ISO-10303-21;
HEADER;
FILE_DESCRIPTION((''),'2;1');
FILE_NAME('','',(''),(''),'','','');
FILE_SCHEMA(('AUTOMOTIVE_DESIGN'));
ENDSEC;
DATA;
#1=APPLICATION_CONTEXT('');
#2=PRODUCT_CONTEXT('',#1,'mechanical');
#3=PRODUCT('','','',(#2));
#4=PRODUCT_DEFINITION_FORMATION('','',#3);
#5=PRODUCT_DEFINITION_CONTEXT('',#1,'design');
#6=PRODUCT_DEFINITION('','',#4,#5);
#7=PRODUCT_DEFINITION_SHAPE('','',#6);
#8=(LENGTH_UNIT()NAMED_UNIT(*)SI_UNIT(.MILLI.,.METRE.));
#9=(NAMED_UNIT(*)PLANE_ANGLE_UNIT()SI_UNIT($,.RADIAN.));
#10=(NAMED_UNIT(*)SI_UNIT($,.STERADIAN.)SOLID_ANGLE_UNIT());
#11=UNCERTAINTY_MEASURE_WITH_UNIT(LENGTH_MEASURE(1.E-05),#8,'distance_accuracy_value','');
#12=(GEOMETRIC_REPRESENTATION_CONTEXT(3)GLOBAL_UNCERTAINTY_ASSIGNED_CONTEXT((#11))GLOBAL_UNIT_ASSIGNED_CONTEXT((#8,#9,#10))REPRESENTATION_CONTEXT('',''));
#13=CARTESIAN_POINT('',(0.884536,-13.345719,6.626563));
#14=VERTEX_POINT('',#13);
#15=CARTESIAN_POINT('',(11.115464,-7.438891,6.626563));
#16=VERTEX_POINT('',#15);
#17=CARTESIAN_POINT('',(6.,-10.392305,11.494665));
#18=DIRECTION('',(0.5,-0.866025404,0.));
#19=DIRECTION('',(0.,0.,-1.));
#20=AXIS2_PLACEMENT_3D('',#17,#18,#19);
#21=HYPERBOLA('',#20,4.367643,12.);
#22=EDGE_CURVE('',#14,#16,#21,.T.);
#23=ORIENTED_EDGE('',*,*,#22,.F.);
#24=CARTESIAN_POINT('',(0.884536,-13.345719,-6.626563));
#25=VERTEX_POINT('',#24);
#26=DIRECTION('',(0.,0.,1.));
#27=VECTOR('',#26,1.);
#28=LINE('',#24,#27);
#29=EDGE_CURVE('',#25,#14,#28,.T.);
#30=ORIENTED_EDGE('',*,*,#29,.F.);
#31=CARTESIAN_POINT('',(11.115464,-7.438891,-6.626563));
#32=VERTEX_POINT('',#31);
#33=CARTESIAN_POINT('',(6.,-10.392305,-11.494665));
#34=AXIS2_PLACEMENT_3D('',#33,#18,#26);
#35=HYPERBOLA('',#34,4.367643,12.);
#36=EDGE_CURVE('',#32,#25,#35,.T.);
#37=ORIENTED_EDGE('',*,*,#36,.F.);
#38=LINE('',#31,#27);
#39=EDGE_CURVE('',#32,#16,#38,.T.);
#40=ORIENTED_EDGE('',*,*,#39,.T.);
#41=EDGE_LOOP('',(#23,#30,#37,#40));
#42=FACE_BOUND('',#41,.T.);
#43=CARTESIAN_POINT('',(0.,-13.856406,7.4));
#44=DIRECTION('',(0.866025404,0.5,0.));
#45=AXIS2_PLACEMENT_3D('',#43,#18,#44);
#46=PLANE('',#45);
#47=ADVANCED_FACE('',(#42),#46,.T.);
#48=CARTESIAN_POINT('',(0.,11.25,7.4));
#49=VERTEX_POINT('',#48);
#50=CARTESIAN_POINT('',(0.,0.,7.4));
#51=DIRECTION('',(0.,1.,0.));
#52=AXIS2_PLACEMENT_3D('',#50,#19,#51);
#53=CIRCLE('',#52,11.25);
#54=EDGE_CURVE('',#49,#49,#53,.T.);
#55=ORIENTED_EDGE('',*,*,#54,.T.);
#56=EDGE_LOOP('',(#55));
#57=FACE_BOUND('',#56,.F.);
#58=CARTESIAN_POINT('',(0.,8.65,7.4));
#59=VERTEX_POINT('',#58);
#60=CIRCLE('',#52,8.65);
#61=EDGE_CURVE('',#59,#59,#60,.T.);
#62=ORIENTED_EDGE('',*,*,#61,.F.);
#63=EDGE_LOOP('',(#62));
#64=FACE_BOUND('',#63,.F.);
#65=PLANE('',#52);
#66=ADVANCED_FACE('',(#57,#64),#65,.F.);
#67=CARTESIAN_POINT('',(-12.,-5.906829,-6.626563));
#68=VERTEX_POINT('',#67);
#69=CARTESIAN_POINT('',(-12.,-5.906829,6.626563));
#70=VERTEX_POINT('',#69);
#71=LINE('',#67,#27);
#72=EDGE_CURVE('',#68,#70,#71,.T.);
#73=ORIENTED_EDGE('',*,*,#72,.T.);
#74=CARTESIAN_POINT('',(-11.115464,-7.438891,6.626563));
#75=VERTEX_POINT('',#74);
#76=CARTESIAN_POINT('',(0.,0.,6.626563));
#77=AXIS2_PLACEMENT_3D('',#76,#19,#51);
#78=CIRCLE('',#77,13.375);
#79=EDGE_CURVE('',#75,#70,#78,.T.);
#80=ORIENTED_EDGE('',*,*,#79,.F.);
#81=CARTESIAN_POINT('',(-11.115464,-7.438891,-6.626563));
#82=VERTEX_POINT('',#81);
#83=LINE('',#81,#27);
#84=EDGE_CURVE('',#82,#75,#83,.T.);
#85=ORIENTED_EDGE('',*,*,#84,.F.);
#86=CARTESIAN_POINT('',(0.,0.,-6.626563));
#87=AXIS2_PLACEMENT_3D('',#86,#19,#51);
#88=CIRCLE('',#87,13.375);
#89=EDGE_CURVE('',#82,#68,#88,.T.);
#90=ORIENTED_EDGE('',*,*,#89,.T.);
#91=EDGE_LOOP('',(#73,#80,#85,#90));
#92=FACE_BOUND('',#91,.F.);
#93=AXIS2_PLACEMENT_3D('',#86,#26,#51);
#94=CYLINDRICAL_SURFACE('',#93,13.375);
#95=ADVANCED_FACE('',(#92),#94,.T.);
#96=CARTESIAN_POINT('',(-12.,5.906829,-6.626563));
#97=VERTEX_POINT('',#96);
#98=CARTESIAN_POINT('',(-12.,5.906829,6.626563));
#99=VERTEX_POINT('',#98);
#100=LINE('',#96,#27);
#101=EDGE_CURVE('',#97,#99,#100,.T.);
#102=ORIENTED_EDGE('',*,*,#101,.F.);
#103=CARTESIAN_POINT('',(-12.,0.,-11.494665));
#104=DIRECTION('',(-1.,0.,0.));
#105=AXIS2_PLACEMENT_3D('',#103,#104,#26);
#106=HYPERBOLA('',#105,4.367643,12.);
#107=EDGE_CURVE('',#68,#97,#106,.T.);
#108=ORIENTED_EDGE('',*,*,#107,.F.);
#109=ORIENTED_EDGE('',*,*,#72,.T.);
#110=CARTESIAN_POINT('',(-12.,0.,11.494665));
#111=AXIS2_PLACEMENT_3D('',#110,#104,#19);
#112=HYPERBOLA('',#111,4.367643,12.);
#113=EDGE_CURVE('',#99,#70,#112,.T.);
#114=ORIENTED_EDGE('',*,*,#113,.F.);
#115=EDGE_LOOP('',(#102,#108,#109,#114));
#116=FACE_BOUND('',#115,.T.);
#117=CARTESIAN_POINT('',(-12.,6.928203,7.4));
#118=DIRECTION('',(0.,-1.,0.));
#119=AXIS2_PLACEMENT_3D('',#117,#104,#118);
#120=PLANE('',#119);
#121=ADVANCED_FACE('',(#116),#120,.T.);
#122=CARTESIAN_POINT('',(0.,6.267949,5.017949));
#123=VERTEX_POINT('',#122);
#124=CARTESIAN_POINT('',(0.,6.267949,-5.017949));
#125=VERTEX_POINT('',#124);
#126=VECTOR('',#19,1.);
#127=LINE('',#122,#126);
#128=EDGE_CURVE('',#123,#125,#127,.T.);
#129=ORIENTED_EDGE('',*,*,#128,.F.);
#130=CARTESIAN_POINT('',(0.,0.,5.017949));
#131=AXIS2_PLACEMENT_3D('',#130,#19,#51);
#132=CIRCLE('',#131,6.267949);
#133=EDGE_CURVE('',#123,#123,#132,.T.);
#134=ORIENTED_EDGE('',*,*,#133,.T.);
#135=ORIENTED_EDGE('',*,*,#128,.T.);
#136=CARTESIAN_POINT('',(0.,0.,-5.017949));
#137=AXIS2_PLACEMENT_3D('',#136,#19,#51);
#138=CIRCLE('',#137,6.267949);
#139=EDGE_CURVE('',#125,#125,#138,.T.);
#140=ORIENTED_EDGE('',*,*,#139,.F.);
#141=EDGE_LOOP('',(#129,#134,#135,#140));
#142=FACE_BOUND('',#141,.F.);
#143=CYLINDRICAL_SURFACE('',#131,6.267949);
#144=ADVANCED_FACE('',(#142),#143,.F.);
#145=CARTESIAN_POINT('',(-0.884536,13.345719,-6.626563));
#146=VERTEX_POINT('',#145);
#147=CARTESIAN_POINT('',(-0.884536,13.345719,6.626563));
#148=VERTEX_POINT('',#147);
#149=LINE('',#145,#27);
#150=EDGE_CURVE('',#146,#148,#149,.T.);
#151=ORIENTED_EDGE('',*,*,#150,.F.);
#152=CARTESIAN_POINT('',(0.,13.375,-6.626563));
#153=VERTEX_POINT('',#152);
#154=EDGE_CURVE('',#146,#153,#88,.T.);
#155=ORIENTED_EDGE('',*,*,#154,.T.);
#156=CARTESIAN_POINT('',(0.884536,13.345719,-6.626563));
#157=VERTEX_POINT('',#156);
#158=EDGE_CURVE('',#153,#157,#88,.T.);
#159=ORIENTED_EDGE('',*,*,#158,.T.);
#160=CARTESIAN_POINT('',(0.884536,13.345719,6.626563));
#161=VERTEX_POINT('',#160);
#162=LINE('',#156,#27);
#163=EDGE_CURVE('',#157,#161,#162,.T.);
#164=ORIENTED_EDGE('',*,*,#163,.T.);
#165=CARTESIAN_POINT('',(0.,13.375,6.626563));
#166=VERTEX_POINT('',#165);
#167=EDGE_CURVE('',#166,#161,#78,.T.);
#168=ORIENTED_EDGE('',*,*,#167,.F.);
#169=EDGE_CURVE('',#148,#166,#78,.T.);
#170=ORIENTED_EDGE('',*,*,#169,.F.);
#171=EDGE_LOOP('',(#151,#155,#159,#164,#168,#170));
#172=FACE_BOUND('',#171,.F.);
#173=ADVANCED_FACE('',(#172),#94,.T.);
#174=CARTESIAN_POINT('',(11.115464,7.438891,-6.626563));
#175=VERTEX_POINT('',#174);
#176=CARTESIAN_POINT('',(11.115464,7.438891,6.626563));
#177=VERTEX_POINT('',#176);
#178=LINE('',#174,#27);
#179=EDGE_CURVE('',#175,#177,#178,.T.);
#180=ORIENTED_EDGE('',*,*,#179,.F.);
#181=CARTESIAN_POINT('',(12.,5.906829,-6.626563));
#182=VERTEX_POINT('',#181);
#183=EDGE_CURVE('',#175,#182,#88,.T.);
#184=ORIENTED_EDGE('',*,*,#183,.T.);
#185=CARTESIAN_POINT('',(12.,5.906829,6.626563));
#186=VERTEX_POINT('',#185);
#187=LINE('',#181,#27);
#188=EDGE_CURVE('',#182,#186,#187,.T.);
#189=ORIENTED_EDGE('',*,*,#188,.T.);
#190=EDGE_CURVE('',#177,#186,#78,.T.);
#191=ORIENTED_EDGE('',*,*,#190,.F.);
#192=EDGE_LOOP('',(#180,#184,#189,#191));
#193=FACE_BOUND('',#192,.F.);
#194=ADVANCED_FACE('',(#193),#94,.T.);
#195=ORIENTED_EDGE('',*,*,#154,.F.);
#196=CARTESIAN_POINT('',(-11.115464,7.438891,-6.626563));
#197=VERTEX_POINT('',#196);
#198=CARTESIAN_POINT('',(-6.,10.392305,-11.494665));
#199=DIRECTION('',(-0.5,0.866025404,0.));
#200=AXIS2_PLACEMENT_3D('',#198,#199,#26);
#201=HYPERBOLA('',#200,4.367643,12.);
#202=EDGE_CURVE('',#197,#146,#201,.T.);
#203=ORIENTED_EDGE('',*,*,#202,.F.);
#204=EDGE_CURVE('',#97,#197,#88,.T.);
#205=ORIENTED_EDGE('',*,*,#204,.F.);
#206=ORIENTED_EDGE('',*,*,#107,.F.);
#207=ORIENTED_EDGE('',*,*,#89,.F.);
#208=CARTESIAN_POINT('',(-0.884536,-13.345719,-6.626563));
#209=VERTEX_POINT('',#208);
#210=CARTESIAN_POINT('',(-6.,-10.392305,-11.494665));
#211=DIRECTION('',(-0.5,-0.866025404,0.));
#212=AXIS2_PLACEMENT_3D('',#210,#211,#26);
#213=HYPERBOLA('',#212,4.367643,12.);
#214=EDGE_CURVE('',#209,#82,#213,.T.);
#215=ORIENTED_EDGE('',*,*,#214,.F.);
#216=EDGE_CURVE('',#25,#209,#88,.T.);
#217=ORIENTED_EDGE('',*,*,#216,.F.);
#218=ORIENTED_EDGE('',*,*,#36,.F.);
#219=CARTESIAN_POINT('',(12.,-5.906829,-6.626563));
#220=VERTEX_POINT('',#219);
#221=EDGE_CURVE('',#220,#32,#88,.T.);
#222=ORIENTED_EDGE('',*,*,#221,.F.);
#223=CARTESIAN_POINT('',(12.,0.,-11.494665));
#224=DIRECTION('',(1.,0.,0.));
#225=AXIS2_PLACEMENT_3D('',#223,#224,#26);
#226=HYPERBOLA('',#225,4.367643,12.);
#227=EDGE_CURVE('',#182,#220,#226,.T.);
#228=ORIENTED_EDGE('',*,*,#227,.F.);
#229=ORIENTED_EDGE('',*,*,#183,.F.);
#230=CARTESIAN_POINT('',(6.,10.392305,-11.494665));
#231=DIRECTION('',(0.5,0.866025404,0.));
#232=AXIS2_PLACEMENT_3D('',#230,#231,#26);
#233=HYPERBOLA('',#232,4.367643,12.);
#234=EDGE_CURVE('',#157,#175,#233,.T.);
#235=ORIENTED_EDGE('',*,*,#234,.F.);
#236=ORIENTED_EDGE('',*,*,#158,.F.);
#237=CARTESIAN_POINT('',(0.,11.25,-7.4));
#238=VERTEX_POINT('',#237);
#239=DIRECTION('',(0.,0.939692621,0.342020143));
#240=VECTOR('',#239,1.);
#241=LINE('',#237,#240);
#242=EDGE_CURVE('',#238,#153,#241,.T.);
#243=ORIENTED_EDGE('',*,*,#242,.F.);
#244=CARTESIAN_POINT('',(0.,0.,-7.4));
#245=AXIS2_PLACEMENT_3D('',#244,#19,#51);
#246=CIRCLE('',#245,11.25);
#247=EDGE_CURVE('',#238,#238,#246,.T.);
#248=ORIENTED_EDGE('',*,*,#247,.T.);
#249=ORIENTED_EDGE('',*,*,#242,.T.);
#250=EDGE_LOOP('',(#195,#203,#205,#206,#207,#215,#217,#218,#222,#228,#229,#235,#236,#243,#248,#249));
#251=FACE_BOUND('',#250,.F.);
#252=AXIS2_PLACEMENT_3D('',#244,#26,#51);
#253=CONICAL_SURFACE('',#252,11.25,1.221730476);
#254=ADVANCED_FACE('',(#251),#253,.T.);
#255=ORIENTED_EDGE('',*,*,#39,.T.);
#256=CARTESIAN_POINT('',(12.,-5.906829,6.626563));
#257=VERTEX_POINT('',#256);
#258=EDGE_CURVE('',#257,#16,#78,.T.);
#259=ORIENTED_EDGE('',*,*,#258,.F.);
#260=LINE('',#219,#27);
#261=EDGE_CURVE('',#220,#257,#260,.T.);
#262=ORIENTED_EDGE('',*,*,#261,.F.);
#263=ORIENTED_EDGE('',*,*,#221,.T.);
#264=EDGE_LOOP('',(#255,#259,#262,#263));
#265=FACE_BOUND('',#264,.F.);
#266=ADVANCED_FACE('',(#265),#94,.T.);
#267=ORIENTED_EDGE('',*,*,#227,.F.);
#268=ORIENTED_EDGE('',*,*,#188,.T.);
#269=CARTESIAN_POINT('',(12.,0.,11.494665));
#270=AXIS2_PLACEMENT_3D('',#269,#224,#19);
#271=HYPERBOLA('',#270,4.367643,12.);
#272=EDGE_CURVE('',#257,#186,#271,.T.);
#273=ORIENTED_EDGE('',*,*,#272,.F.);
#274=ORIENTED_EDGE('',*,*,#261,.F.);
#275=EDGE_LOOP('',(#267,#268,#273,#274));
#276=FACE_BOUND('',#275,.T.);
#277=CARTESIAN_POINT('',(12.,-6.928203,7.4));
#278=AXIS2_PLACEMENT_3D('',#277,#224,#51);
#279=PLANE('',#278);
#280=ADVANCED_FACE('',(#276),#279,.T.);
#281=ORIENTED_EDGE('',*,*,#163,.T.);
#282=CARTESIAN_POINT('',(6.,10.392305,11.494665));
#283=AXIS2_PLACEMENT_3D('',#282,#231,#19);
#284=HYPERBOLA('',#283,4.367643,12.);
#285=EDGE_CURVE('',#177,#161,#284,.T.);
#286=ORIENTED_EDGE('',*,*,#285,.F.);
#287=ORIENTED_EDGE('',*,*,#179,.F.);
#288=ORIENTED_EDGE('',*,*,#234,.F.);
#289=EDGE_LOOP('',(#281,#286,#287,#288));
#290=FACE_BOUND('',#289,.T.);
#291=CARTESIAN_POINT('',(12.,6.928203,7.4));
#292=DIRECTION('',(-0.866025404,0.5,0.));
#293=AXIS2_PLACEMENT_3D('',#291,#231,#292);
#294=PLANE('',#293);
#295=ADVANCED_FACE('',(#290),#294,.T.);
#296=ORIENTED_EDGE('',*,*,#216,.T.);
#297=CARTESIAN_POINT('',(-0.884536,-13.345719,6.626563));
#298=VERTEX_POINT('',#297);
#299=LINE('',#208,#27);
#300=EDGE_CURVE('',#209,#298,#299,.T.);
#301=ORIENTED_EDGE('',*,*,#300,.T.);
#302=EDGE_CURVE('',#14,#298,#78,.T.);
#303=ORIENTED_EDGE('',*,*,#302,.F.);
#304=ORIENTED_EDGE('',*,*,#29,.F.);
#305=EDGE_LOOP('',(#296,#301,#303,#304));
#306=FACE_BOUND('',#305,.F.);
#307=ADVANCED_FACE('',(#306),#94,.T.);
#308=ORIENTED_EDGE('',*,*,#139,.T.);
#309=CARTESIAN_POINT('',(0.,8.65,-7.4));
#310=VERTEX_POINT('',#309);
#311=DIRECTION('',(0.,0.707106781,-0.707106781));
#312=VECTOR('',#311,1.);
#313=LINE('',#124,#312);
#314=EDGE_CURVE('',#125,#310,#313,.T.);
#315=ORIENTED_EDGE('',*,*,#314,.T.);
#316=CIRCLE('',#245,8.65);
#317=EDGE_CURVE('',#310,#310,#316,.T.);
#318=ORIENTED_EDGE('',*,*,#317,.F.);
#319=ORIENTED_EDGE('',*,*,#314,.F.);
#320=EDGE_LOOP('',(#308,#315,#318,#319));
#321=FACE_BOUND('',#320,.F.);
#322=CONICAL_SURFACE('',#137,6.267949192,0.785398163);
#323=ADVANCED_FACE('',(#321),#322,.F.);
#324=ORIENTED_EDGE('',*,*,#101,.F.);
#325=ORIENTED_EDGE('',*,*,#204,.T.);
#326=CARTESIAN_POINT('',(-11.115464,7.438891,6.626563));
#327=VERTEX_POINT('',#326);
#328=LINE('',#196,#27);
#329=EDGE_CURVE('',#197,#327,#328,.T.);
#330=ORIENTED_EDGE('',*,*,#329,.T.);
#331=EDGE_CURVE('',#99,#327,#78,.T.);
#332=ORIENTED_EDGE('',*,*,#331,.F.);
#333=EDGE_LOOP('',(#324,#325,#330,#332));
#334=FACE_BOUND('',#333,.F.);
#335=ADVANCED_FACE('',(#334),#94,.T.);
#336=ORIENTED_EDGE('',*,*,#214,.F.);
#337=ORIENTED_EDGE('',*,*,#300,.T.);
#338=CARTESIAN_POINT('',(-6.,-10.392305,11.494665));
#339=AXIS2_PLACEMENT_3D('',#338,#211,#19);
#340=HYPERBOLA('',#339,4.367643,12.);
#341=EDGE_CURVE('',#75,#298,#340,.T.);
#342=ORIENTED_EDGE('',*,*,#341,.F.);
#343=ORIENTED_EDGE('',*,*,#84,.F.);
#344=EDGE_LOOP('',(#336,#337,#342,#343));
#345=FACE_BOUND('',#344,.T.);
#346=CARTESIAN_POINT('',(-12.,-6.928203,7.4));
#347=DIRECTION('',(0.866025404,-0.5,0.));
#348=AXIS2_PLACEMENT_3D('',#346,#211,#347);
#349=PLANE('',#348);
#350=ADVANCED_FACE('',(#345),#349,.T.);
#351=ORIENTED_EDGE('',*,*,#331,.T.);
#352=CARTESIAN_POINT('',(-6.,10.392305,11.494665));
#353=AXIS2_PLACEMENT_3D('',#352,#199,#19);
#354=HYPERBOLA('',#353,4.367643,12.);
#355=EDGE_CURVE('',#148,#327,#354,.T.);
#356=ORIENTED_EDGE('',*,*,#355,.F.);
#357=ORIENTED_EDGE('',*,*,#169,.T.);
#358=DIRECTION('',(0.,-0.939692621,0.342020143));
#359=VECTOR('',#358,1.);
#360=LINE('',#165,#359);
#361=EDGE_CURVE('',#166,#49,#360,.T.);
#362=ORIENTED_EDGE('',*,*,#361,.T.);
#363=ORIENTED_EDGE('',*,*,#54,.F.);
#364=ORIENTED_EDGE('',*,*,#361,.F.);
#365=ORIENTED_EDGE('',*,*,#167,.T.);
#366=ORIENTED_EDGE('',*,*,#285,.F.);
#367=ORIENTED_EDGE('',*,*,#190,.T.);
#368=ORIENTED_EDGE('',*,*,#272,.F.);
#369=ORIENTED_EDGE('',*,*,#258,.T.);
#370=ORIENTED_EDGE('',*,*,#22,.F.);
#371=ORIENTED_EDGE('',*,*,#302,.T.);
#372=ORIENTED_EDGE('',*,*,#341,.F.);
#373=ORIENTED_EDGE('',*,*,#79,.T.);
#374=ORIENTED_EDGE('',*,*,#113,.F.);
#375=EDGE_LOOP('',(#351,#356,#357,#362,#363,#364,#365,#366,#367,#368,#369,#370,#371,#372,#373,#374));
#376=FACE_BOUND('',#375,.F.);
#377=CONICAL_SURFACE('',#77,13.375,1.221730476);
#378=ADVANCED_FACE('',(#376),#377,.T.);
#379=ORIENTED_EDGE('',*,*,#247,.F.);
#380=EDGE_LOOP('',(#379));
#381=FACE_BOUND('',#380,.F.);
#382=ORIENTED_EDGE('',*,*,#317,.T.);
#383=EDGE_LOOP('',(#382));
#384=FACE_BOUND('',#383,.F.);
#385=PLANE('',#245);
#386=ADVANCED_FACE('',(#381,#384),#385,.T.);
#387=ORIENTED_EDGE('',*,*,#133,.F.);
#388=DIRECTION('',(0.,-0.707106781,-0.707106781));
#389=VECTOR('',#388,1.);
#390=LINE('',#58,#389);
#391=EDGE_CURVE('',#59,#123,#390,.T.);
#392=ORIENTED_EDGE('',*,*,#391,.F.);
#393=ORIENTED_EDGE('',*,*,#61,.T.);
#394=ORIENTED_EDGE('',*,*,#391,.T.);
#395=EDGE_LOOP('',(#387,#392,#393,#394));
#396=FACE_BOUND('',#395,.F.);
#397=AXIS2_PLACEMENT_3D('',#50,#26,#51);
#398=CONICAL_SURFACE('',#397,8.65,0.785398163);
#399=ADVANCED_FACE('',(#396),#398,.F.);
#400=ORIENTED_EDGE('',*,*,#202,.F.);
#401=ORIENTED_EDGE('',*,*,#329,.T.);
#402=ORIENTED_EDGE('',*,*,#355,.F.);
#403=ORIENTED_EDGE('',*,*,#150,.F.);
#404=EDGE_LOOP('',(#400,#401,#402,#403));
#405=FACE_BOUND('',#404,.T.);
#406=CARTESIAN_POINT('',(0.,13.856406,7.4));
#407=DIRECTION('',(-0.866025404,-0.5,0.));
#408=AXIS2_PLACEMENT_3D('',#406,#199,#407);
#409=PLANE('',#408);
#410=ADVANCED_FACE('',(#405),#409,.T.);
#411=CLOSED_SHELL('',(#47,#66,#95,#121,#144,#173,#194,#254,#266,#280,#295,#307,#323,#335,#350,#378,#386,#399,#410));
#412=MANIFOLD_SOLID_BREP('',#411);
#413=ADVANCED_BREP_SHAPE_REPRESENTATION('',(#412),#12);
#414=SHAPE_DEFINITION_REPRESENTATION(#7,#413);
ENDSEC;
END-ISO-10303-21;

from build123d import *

# Parameters (mm, degrees)
SKETCH_2_OUTSIDE_W  = 36.874
SKETCH_2_OUTSIDE_H  = 36.874
CUT_EXTRUDE_1_DEPTH = 15.8


with BuildPart() as part:
    # Эскиз1 → Повернуть1 (revolve)
    with BuildSketch(Plane(origin=(0, 0, 0), x_dir=(0, 0, -1), z_dir=(1, 0, 0))):
        Polygon((-5.017949192, 6.267949192), (5.017949192, 6.267949192), (7.4, 8.65), (7.4, 11.25), (6.626563252, 13.375), (-6.626563252, 13.375), (-7.4, 11.25), (-7.4, 8.65), align=None)
    revolve(axis=Axis((0, 0, 152.740188543), (0, 0, -1)))

    # Эскиз2 outside → Вырез-Вытянуть1 (cut, through all)
    with BuildSketch(Plane.XY.offset(7.4)):
        Rectangle(SKETCH_2_OUTSIDE_W, SKETCH_2_OUTSIDE_H)
        Polygon((0, -13.856406461), (12, -6.92820323), (12, 6.92820323), (0, 13.856406461), (-12, 6.92820323), (-12, -6.92820323), align=None, mode=Mode.SUBTRACT)
    extrude(amount=-CUT_EXTRUDE_1_DEPTH, mode=Mode.SUBTRACT)


solid = part.part
